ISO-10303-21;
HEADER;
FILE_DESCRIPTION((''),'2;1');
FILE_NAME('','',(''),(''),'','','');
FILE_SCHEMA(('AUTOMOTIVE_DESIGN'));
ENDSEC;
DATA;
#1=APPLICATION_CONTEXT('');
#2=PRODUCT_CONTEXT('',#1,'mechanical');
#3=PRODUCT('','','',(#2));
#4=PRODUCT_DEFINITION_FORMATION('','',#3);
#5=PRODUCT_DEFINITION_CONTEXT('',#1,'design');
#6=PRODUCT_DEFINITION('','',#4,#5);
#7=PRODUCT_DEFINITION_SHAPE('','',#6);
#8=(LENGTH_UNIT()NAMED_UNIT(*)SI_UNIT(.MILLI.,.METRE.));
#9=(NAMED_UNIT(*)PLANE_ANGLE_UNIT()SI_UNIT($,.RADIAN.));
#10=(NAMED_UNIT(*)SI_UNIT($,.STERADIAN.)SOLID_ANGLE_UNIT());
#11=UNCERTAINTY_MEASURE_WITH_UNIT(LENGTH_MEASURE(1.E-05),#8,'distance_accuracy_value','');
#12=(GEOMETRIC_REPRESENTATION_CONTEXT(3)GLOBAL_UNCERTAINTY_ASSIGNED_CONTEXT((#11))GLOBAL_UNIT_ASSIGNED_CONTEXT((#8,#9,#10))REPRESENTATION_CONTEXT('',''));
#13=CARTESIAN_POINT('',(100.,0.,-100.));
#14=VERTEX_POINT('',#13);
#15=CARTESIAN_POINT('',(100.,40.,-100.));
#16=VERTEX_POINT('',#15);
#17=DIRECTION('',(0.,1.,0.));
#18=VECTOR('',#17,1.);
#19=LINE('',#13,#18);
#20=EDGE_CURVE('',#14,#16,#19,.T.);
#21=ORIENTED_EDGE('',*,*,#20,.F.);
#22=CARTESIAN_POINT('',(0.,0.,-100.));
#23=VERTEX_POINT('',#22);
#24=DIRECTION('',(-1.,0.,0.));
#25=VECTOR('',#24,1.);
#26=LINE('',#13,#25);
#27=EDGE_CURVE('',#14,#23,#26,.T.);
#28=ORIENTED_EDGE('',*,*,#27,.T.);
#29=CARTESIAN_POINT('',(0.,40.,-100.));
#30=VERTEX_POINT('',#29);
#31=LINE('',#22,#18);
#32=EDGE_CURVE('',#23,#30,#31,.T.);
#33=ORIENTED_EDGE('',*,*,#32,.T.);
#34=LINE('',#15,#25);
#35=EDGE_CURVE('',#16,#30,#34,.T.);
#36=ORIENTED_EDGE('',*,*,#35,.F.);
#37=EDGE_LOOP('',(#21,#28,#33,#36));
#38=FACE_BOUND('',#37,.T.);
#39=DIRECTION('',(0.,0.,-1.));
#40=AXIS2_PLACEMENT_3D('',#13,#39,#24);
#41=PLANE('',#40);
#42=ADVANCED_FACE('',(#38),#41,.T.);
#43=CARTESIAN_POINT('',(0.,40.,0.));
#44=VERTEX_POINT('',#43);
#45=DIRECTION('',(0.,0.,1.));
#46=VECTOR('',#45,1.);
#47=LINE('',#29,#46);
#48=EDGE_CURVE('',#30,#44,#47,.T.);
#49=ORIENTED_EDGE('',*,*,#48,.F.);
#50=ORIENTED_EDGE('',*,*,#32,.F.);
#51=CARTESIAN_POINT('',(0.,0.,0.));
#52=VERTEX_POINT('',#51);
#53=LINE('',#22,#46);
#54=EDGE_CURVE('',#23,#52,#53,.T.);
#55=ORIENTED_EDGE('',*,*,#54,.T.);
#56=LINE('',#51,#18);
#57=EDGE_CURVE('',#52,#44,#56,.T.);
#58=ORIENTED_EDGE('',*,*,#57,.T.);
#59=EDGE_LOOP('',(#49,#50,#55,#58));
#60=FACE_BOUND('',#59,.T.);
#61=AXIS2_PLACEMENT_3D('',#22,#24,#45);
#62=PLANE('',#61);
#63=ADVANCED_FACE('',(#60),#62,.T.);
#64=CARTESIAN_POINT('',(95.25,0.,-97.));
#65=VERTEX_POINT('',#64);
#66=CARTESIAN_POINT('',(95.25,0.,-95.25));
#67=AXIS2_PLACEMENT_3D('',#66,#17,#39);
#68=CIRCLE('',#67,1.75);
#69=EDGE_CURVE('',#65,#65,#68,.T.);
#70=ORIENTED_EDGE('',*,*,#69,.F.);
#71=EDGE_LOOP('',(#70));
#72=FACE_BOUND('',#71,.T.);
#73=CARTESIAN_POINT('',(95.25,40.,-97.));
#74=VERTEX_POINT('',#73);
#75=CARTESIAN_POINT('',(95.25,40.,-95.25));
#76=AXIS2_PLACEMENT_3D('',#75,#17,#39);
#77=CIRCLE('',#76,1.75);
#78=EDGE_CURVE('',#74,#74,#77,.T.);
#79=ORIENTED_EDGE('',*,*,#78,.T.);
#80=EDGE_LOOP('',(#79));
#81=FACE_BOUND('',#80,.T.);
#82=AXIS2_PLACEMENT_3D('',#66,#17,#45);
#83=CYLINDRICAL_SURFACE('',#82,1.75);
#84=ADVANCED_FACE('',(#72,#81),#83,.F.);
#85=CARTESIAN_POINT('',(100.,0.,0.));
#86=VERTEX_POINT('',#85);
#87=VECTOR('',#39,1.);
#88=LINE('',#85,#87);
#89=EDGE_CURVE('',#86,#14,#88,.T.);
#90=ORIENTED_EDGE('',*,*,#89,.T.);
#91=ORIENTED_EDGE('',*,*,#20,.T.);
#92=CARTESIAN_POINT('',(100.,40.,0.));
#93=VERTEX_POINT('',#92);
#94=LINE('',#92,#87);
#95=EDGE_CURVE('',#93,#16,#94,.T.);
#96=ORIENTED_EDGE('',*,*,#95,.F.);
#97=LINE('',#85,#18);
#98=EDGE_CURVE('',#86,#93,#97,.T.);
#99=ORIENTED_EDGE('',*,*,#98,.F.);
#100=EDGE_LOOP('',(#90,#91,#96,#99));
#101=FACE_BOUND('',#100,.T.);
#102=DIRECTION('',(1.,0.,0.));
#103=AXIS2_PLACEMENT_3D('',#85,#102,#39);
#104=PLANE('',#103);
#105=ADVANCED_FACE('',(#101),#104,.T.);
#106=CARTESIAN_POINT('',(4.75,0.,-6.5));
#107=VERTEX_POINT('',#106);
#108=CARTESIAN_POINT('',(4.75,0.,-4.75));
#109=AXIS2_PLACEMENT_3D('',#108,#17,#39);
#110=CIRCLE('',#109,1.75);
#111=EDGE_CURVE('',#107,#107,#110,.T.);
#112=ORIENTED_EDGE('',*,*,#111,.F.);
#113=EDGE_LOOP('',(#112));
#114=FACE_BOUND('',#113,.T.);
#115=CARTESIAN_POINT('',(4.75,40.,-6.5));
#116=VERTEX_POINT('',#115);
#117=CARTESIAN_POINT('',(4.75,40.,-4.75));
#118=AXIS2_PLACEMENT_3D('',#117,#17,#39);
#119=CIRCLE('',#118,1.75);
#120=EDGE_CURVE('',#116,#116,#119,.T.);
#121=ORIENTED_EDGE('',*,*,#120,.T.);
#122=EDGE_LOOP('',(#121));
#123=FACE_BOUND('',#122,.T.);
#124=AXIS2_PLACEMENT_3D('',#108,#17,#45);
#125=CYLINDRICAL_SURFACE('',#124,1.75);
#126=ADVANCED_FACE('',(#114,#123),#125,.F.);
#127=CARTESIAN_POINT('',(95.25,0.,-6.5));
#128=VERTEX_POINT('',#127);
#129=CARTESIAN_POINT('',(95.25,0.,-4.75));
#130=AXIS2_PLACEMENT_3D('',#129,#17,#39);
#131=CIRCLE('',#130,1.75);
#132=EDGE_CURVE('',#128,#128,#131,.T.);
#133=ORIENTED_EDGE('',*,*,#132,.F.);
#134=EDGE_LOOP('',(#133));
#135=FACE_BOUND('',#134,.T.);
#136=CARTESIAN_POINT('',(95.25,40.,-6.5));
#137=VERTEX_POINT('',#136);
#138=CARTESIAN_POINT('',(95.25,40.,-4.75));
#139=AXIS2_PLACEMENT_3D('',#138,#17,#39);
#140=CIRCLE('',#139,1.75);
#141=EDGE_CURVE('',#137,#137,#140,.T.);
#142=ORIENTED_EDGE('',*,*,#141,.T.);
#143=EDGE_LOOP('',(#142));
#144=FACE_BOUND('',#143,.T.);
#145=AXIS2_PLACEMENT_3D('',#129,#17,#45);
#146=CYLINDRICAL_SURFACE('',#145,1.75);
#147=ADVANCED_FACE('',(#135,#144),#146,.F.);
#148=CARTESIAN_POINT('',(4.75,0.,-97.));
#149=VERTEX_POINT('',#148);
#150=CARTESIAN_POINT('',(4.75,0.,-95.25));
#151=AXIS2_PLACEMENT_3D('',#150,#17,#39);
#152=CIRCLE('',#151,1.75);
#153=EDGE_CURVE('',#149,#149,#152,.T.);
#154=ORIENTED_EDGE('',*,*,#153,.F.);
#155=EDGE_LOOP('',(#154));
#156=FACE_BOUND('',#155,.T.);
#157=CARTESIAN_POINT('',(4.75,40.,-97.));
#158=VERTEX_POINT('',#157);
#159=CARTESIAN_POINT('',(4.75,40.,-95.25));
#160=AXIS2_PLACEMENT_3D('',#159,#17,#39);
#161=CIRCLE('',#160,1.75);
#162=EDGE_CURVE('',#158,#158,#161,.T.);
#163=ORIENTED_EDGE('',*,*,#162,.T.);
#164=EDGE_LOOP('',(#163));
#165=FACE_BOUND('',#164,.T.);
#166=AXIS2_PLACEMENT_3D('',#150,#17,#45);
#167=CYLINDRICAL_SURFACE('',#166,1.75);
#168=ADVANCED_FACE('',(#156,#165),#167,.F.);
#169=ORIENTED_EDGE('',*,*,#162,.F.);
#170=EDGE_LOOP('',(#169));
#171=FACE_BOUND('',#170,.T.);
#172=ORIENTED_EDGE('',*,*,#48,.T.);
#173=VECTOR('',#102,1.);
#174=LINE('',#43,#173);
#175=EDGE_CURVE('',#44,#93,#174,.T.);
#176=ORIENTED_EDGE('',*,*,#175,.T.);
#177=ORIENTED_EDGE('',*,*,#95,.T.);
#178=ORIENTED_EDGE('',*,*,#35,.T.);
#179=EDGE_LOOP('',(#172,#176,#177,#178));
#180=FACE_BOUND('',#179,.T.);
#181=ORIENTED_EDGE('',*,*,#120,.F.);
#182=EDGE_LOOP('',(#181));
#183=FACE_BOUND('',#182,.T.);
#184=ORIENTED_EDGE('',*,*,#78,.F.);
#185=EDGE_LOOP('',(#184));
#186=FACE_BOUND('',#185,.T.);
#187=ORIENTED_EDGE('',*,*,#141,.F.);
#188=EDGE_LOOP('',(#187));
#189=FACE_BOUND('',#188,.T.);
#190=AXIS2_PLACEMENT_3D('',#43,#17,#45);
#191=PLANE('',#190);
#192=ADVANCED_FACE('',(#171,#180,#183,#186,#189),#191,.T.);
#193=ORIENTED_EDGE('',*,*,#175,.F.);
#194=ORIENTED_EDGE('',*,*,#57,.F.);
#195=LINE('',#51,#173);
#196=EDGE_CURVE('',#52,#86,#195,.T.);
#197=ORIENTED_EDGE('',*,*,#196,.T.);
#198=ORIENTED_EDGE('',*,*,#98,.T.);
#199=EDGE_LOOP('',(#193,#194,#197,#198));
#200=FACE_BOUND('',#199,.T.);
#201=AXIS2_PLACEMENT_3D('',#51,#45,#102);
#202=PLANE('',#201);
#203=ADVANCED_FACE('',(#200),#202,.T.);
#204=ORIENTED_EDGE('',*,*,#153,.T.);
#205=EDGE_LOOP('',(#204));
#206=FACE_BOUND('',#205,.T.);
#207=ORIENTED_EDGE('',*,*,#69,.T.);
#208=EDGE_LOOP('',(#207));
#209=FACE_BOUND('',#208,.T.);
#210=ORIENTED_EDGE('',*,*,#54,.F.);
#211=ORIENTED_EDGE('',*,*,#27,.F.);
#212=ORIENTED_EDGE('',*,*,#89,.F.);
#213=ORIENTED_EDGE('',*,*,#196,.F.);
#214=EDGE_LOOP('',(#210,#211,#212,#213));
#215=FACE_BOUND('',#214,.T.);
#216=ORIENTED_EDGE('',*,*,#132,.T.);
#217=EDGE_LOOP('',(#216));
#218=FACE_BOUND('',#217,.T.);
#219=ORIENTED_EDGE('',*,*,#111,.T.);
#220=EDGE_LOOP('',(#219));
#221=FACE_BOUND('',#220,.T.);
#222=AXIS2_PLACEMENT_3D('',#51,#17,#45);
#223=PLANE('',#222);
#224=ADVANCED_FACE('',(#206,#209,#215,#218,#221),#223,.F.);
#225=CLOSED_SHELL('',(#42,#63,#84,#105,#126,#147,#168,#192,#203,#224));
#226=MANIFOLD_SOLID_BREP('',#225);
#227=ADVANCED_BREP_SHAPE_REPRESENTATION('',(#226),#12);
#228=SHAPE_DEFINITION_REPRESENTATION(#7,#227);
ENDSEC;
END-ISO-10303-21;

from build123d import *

# Parameters (mm, degrees)
ESBO_O1_W                = 100
ESBO_O1_H                = 100
ESBO_O1_R                = 1.75
RESSALTO_EXTRUS_O1_DEPTH = 40


with BuildPart() as part:
    # Esboço1 → Ressalto-extrusão1 (new body)
    with BuildSketch(Plane(origin=(0, 40, 0), x_dir=(1, 0, 0), z_dir=(0, 1, 0))):
        with Locations((50, 50)):
            Rectangle(ESBO_O1_W, ESBO_O1_H)
        with Locations(Location((4.75, 95.25, 0), (0, 0, 90))):
            Circle(ESBO_O1_R, mode=Mode.SUBTRACT)
        with Locations(Location((95.25, 95.25, 0), (0, 0, 90))):
            Circle(ESBO_O1_R, mode=Mode.SUBTRACT)
        with Locations(Location((95.25, 4.75, 0), (0, 0, 90))):
            Circle(ESBO_O1_R, mode=Mode.SUBTRACT)
        with Locations(Location((4.75, 4.75, 0), (0, 0, 90))):
            Circle(ESBO_O1_R, mode=Mode.SUBTRACT)
    extrude(amount=-RESSALTO_EXTRUS_O1_DEPTH)


solid = part.part
